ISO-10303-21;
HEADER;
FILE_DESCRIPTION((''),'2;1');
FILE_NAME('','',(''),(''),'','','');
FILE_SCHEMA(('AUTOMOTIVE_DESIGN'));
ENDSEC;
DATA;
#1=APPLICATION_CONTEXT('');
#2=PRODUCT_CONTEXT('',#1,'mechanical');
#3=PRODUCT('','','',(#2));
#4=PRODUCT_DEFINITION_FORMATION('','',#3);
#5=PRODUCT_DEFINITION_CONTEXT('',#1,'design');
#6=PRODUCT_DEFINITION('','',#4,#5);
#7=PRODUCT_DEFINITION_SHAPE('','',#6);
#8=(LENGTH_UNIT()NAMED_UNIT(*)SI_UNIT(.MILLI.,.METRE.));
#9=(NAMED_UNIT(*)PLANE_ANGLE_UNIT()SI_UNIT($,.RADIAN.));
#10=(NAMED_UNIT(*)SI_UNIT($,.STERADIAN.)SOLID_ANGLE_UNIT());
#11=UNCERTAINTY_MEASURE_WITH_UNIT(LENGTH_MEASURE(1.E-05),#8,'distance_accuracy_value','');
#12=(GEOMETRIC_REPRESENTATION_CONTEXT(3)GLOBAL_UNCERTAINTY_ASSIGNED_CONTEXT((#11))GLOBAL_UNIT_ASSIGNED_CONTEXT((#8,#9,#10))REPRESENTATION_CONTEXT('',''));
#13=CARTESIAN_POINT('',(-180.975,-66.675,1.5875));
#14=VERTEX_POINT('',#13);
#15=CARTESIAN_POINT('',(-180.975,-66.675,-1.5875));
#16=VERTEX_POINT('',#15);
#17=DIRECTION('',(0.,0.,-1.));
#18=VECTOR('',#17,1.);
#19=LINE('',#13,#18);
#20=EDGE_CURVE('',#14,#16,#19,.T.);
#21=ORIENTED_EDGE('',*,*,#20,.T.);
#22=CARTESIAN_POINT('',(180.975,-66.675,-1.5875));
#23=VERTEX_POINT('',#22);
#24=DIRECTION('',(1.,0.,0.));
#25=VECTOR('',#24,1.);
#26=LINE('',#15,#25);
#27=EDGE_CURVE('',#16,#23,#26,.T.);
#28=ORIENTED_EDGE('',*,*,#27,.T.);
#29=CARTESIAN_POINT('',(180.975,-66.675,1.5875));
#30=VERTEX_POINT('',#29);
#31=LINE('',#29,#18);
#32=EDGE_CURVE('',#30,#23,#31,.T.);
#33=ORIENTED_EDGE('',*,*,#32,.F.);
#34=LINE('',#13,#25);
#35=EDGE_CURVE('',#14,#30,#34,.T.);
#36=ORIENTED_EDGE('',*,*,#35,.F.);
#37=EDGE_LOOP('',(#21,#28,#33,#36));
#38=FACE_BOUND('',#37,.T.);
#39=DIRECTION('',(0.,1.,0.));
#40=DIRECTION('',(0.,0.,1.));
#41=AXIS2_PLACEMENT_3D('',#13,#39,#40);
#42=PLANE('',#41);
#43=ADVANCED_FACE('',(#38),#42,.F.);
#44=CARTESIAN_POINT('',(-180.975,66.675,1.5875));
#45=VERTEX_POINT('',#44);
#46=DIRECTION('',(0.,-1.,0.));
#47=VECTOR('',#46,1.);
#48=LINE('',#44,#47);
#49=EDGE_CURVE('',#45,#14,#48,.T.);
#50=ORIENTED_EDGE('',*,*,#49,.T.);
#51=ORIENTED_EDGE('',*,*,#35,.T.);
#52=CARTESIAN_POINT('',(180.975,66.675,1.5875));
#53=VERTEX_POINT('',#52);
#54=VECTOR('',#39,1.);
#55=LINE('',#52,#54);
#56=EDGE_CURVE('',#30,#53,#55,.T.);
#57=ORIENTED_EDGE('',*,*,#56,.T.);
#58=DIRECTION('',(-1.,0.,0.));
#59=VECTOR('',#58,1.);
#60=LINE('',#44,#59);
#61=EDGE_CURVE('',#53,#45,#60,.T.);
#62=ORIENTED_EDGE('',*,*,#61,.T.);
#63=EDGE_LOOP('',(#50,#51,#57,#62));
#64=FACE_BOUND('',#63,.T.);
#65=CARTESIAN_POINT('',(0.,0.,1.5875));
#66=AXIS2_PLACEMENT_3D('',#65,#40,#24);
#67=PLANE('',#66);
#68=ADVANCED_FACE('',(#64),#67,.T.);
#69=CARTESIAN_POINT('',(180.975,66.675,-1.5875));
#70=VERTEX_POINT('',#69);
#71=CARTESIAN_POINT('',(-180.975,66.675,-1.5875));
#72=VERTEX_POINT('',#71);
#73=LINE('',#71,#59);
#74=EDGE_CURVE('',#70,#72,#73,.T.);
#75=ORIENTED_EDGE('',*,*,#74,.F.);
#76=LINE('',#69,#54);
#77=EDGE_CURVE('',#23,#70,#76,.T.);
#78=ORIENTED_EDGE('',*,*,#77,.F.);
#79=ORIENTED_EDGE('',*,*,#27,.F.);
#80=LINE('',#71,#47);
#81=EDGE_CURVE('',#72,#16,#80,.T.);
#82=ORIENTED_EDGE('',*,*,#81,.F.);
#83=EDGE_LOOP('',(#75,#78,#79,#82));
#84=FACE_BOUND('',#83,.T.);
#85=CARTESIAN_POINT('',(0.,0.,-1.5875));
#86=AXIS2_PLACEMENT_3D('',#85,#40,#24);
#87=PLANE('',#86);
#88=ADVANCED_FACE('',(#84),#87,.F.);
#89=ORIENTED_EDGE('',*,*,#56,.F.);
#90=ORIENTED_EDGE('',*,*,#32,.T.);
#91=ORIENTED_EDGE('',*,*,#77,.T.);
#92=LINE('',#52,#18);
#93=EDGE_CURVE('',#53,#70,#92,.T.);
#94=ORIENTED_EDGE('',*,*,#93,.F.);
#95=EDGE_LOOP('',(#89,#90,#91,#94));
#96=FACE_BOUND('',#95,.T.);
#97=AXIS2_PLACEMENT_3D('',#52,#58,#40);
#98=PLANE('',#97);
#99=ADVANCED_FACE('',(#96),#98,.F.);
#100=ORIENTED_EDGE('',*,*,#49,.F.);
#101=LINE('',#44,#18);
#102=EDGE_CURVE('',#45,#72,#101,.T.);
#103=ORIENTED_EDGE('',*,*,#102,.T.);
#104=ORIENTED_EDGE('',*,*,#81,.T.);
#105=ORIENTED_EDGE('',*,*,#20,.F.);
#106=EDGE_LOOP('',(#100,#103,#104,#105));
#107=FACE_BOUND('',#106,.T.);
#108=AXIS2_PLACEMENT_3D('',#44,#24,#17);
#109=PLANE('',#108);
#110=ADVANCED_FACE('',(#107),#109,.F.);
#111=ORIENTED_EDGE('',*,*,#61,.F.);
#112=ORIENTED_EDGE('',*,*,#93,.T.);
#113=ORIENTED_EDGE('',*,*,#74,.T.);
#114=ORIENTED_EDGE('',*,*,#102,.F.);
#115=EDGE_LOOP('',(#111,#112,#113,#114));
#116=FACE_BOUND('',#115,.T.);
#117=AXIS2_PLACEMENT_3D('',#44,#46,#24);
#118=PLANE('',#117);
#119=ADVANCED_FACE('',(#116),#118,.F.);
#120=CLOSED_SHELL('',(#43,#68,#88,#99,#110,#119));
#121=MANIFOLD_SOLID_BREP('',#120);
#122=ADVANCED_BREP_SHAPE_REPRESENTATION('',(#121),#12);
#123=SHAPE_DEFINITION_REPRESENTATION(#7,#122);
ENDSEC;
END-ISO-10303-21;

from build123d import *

# Parameters (mm, degrees)
ESQUISSE1_W        = 361.95
ESQUISSE1_H        = 133.35
BOSS_EXTRU_1_DEPTH = 1.5875


with BuildPart() as part:
    # Esquisse1 → Boss.-Extru.1 (new, symmetric)
    with BuildSketch(Plane.XY):
        Rectangle(ESQUISSE1_W, ESQUISSE1_H)
    extrude(amount=BOSS_EXTRU_1_DEPTH, both=True)


solid = part.part
